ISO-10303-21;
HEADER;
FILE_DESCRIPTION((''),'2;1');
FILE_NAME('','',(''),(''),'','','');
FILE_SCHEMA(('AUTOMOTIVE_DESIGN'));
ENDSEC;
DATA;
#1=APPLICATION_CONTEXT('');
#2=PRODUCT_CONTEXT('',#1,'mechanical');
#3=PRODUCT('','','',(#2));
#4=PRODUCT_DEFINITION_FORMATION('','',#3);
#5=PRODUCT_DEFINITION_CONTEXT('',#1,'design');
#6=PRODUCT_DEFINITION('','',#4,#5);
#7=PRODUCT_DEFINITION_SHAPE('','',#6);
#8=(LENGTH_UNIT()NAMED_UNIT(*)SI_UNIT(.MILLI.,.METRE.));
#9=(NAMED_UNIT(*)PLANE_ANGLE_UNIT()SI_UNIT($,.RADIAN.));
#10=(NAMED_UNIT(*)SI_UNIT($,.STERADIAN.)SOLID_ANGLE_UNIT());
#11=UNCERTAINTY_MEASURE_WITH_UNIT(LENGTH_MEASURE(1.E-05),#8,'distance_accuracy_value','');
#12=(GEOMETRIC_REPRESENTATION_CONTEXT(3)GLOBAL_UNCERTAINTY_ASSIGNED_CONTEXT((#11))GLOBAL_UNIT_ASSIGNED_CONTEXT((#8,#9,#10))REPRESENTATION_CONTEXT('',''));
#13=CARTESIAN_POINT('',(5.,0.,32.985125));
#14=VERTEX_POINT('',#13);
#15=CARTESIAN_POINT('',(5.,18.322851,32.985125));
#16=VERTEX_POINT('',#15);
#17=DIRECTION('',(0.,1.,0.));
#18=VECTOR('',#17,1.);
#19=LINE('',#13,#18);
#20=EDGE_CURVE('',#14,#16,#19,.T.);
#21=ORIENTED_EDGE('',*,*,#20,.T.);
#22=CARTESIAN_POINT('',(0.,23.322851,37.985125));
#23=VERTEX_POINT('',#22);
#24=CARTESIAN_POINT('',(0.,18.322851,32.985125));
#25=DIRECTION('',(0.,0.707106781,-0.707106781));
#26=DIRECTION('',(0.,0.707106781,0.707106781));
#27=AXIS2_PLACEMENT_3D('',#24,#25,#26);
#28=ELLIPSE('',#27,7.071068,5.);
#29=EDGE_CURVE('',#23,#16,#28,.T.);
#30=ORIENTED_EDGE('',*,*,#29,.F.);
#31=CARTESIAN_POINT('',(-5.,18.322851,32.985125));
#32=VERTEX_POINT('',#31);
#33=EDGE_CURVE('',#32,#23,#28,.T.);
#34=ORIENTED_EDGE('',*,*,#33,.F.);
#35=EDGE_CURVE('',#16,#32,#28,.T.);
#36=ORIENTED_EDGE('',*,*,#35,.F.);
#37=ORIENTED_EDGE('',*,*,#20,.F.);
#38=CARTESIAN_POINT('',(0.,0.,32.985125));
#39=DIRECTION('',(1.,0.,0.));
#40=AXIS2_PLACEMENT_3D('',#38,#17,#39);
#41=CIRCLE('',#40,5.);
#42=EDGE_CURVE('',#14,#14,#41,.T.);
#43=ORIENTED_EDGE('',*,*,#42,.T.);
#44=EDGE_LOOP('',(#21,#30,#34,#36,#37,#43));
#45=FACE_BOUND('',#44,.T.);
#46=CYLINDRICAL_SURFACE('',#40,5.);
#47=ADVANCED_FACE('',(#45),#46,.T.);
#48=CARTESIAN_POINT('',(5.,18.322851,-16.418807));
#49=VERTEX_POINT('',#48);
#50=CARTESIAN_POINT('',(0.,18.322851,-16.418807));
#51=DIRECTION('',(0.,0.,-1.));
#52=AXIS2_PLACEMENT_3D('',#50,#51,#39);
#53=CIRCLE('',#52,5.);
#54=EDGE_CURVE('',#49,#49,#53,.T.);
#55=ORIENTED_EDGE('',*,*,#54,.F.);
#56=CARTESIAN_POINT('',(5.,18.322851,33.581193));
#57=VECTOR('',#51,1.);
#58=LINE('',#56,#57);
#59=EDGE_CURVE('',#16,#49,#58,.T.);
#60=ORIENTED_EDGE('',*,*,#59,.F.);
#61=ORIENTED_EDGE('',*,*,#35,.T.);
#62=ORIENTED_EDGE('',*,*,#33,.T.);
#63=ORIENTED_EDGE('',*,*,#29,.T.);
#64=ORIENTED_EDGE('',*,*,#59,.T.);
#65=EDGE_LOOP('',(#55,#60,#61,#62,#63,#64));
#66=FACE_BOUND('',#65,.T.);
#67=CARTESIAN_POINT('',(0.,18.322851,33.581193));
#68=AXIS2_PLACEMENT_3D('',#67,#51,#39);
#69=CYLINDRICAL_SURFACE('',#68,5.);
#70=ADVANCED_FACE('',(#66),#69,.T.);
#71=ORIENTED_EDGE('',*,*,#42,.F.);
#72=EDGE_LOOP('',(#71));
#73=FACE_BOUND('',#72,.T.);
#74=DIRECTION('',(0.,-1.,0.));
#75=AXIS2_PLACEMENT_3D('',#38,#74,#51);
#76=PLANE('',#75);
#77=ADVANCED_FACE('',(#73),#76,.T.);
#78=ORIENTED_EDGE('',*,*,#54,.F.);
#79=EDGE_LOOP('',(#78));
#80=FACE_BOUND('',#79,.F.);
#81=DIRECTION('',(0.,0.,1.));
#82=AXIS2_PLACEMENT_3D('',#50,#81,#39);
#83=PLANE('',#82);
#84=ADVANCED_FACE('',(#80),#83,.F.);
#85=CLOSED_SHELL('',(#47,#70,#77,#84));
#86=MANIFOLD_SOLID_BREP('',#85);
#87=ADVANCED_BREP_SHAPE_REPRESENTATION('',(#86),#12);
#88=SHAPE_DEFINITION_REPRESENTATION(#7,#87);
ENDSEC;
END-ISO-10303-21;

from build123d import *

# Parameters (mm, degrees)
F0_R = 5


with BuildPart() as f2:
    # F2: sweep along a path in F1
    with BuildLine(Plane.YZ) as f2_path:
        Line((0, 33.5811925529), (18.9189189189, 33.5811925529))
        Line((18.9189189189, 33.5811925529), (18.9189189189, -16.4188074471))
    # F0 (on Front) → F2 (sweep)
    with BuildSketch(Plane.XZ):
        with Locations((0, 32.985124737)):
            Circle(F0_R)
    sweep(path=f2_path.line, transition=Transition.RIGHT)


solid = f2.part
